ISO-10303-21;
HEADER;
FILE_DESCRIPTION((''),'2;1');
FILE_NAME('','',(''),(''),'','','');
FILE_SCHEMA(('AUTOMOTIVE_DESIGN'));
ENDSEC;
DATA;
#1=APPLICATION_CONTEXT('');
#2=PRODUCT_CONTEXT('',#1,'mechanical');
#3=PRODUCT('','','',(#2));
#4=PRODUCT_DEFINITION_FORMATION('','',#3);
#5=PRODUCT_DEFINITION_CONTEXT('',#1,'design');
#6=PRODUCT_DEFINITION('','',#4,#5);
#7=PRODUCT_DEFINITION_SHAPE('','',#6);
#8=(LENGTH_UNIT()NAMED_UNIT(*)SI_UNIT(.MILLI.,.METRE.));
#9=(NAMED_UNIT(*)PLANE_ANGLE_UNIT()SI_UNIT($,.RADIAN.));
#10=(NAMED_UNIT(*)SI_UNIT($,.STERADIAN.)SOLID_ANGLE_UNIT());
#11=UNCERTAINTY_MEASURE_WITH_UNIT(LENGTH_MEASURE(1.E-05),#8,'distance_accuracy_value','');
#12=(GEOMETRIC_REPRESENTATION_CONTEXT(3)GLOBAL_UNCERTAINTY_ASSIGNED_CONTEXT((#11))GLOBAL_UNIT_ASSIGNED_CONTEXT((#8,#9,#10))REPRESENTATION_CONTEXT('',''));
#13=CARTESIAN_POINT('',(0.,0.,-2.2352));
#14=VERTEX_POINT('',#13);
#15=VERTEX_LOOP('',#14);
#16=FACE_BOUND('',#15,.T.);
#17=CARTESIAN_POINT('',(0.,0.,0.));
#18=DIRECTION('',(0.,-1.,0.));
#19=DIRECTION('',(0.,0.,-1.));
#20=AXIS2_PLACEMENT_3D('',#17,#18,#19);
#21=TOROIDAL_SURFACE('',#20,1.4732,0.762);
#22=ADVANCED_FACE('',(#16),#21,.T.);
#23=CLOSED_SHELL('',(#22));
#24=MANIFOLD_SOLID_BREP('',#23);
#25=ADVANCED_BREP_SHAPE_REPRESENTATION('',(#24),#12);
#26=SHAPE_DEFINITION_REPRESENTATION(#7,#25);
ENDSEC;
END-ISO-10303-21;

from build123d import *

# Parameters (mm, degrees)
SKETCH2_R = 0.762


with BuildPart() as part:
    # Sketch2 → Revolve1 (revolve)
    with BuildSketch(Plane.XY):
        with Locations((-1.4732, 0)):
            Circle(SKETCH2_R)
    revolve(axis=Axis((0, 0, 0), (0, 1, 0)))


solid = part.part
